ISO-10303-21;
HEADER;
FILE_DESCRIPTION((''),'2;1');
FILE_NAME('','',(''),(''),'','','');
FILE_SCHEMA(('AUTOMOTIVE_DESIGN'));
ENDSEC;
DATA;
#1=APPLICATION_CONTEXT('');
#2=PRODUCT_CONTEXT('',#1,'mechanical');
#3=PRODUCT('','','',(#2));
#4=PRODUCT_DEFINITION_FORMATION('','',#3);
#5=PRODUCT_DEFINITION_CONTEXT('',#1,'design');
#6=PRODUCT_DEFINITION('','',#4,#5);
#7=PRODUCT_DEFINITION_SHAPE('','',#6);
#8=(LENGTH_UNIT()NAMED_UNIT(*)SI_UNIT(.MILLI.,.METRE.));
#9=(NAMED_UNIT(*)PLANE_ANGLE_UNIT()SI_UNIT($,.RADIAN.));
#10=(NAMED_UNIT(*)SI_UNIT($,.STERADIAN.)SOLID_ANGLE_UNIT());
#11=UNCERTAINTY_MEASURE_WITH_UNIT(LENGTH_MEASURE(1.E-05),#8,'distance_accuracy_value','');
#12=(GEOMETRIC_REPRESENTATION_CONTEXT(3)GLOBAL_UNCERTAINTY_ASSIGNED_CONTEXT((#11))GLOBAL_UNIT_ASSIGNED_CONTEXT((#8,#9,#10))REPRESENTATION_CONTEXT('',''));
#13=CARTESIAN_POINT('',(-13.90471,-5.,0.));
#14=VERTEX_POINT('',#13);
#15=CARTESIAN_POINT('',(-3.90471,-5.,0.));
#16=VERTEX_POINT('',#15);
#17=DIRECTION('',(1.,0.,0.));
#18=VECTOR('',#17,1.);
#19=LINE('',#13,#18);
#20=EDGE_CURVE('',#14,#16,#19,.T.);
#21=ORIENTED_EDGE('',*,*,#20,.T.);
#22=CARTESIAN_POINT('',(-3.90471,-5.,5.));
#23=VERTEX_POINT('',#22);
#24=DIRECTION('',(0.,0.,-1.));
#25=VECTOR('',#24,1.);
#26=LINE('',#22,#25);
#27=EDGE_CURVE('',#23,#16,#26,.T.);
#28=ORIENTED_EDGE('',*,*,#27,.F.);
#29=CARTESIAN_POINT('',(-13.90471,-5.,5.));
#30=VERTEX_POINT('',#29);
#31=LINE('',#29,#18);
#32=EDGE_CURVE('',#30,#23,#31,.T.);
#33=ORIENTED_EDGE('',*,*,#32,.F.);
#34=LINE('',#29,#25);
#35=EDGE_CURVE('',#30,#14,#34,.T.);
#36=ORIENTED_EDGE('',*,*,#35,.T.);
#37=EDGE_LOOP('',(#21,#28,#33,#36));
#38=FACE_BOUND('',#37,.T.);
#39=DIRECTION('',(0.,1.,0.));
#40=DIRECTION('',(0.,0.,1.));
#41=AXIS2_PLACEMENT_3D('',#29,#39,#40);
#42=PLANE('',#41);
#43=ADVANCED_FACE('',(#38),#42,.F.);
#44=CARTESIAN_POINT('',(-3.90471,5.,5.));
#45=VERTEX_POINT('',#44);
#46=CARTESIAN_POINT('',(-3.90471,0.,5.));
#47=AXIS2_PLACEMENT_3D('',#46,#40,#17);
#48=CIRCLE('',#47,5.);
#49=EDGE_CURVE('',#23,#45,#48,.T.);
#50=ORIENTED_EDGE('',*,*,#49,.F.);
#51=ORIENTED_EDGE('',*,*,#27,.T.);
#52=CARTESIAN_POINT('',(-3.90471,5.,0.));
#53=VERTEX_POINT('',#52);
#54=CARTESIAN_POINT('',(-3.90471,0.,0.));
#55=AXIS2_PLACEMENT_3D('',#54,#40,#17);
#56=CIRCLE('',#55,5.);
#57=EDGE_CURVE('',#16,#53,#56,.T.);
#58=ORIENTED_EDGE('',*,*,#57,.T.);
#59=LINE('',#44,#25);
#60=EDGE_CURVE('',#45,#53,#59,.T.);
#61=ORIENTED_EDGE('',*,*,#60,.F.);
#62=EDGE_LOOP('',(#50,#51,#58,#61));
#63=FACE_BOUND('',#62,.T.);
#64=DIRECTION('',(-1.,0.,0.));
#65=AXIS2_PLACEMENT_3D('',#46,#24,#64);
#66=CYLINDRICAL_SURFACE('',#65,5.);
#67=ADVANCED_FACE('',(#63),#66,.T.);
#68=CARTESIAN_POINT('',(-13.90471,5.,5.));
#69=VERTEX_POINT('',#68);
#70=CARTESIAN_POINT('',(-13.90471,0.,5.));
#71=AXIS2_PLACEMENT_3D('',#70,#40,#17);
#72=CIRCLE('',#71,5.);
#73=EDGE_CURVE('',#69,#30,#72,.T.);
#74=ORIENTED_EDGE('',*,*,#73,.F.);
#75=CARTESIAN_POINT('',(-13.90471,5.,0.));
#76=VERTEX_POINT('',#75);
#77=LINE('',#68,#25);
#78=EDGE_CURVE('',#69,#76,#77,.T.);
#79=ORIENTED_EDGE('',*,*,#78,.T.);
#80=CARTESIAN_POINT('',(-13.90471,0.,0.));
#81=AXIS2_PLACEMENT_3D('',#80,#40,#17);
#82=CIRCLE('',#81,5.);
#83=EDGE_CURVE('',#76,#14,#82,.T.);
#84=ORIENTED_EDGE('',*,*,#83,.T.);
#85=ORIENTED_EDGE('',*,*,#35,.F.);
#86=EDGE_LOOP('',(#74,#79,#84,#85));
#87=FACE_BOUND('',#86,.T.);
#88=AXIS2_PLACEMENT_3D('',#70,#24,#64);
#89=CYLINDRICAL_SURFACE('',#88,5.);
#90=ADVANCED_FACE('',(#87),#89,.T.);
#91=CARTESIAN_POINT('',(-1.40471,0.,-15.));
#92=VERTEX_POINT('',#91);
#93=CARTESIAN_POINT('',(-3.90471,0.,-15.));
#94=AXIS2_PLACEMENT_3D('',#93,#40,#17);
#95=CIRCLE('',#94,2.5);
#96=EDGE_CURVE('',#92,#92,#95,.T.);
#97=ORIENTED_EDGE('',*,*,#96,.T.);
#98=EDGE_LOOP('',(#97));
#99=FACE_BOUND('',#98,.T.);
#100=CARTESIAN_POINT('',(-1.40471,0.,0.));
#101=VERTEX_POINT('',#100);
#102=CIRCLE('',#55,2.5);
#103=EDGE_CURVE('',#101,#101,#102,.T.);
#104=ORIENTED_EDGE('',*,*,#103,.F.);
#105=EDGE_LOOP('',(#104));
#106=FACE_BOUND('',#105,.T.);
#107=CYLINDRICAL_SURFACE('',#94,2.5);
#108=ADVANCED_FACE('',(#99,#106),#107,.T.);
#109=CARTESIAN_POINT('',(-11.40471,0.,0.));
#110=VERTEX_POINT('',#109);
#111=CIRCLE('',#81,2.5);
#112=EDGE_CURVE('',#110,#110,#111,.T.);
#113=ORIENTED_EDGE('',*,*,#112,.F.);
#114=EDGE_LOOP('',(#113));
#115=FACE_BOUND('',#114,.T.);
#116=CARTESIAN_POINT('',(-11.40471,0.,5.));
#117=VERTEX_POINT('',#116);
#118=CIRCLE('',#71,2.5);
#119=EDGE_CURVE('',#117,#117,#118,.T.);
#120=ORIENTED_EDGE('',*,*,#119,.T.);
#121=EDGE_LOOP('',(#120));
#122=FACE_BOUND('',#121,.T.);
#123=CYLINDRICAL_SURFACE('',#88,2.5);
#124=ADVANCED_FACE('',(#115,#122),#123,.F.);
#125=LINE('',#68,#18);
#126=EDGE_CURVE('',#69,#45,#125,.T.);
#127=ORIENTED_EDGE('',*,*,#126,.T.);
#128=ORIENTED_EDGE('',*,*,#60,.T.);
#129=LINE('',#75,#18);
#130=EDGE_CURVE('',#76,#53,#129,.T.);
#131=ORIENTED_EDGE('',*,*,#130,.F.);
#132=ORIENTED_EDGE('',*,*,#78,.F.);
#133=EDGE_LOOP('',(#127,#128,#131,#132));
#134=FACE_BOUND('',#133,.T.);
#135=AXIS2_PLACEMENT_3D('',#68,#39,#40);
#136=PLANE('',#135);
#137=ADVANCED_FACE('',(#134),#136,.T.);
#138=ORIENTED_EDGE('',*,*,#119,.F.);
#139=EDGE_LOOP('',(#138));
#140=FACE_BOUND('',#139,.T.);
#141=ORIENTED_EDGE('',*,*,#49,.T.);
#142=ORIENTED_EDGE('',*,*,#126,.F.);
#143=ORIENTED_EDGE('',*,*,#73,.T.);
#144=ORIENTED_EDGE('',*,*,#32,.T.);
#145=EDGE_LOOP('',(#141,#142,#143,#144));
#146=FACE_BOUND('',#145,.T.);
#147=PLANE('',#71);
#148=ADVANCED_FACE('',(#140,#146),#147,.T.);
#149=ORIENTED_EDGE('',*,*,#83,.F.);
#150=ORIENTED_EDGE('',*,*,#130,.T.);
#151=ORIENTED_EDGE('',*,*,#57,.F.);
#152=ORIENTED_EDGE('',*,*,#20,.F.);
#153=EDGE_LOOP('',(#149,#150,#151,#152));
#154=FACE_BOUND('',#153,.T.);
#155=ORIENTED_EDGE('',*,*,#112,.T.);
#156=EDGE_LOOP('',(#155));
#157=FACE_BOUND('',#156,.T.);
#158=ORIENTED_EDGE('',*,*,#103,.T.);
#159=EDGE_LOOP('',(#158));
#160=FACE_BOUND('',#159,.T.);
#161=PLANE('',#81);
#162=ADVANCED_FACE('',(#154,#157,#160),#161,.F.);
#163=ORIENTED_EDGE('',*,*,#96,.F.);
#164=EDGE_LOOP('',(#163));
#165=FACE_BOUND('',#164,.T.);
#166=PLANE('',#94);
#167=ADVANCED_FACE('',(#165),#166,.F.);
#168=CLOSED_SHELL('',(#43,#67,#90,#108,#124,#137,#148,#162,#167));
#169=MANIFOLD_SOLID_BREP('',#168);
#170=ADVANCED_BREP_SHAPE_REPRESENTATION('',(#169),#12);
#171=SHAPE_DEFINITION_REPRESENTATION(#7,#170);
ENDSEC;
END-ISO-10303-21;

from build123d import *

# Parameters (mm, degrees)
SKETCH1_R           = 2.5
BOSS_EXTRUDE1_DEPTH = 5
SKETCH1_3_R         = 2.5
BOSS_EXTRUDE2_DEPTH = 15


with BuildPart() as part:
    # Sketch1 → Boss-Extrude1 (new body)
    with BuildSketch(Plane.XY):
        with BuildLine():
            Line((-13.904710079, 5), (-3.904710079, 5))
            ThreePointArc((-3.904710079, 5), (1.095289921, 0), (-3.904710079, -5))
            Line((-3.904710079, -5), (-13.904710079, -5))
            ThreePointArc((-13.904710079, -5), (-18.904710079, 0), (-13.904710079, 5))
        make_face()
        with Locations((-13.904710079, 0)):
            Circle(SKETCH1_R, mode=Mode.SUBTRACT)
    extrude(amount=BOSS_EXTRUDE1_DEPTH)

    # Sketch1<3> → Boss-Extrude2 (add)
    with BuildSketch(Plane.XY):
        with Locations((-3.904710079, 0)):
            Circle(SKETCH1_3_R)
    extrude(amount=-BOSS_EXTRUDE2_DEPTH)


solid = part.part
